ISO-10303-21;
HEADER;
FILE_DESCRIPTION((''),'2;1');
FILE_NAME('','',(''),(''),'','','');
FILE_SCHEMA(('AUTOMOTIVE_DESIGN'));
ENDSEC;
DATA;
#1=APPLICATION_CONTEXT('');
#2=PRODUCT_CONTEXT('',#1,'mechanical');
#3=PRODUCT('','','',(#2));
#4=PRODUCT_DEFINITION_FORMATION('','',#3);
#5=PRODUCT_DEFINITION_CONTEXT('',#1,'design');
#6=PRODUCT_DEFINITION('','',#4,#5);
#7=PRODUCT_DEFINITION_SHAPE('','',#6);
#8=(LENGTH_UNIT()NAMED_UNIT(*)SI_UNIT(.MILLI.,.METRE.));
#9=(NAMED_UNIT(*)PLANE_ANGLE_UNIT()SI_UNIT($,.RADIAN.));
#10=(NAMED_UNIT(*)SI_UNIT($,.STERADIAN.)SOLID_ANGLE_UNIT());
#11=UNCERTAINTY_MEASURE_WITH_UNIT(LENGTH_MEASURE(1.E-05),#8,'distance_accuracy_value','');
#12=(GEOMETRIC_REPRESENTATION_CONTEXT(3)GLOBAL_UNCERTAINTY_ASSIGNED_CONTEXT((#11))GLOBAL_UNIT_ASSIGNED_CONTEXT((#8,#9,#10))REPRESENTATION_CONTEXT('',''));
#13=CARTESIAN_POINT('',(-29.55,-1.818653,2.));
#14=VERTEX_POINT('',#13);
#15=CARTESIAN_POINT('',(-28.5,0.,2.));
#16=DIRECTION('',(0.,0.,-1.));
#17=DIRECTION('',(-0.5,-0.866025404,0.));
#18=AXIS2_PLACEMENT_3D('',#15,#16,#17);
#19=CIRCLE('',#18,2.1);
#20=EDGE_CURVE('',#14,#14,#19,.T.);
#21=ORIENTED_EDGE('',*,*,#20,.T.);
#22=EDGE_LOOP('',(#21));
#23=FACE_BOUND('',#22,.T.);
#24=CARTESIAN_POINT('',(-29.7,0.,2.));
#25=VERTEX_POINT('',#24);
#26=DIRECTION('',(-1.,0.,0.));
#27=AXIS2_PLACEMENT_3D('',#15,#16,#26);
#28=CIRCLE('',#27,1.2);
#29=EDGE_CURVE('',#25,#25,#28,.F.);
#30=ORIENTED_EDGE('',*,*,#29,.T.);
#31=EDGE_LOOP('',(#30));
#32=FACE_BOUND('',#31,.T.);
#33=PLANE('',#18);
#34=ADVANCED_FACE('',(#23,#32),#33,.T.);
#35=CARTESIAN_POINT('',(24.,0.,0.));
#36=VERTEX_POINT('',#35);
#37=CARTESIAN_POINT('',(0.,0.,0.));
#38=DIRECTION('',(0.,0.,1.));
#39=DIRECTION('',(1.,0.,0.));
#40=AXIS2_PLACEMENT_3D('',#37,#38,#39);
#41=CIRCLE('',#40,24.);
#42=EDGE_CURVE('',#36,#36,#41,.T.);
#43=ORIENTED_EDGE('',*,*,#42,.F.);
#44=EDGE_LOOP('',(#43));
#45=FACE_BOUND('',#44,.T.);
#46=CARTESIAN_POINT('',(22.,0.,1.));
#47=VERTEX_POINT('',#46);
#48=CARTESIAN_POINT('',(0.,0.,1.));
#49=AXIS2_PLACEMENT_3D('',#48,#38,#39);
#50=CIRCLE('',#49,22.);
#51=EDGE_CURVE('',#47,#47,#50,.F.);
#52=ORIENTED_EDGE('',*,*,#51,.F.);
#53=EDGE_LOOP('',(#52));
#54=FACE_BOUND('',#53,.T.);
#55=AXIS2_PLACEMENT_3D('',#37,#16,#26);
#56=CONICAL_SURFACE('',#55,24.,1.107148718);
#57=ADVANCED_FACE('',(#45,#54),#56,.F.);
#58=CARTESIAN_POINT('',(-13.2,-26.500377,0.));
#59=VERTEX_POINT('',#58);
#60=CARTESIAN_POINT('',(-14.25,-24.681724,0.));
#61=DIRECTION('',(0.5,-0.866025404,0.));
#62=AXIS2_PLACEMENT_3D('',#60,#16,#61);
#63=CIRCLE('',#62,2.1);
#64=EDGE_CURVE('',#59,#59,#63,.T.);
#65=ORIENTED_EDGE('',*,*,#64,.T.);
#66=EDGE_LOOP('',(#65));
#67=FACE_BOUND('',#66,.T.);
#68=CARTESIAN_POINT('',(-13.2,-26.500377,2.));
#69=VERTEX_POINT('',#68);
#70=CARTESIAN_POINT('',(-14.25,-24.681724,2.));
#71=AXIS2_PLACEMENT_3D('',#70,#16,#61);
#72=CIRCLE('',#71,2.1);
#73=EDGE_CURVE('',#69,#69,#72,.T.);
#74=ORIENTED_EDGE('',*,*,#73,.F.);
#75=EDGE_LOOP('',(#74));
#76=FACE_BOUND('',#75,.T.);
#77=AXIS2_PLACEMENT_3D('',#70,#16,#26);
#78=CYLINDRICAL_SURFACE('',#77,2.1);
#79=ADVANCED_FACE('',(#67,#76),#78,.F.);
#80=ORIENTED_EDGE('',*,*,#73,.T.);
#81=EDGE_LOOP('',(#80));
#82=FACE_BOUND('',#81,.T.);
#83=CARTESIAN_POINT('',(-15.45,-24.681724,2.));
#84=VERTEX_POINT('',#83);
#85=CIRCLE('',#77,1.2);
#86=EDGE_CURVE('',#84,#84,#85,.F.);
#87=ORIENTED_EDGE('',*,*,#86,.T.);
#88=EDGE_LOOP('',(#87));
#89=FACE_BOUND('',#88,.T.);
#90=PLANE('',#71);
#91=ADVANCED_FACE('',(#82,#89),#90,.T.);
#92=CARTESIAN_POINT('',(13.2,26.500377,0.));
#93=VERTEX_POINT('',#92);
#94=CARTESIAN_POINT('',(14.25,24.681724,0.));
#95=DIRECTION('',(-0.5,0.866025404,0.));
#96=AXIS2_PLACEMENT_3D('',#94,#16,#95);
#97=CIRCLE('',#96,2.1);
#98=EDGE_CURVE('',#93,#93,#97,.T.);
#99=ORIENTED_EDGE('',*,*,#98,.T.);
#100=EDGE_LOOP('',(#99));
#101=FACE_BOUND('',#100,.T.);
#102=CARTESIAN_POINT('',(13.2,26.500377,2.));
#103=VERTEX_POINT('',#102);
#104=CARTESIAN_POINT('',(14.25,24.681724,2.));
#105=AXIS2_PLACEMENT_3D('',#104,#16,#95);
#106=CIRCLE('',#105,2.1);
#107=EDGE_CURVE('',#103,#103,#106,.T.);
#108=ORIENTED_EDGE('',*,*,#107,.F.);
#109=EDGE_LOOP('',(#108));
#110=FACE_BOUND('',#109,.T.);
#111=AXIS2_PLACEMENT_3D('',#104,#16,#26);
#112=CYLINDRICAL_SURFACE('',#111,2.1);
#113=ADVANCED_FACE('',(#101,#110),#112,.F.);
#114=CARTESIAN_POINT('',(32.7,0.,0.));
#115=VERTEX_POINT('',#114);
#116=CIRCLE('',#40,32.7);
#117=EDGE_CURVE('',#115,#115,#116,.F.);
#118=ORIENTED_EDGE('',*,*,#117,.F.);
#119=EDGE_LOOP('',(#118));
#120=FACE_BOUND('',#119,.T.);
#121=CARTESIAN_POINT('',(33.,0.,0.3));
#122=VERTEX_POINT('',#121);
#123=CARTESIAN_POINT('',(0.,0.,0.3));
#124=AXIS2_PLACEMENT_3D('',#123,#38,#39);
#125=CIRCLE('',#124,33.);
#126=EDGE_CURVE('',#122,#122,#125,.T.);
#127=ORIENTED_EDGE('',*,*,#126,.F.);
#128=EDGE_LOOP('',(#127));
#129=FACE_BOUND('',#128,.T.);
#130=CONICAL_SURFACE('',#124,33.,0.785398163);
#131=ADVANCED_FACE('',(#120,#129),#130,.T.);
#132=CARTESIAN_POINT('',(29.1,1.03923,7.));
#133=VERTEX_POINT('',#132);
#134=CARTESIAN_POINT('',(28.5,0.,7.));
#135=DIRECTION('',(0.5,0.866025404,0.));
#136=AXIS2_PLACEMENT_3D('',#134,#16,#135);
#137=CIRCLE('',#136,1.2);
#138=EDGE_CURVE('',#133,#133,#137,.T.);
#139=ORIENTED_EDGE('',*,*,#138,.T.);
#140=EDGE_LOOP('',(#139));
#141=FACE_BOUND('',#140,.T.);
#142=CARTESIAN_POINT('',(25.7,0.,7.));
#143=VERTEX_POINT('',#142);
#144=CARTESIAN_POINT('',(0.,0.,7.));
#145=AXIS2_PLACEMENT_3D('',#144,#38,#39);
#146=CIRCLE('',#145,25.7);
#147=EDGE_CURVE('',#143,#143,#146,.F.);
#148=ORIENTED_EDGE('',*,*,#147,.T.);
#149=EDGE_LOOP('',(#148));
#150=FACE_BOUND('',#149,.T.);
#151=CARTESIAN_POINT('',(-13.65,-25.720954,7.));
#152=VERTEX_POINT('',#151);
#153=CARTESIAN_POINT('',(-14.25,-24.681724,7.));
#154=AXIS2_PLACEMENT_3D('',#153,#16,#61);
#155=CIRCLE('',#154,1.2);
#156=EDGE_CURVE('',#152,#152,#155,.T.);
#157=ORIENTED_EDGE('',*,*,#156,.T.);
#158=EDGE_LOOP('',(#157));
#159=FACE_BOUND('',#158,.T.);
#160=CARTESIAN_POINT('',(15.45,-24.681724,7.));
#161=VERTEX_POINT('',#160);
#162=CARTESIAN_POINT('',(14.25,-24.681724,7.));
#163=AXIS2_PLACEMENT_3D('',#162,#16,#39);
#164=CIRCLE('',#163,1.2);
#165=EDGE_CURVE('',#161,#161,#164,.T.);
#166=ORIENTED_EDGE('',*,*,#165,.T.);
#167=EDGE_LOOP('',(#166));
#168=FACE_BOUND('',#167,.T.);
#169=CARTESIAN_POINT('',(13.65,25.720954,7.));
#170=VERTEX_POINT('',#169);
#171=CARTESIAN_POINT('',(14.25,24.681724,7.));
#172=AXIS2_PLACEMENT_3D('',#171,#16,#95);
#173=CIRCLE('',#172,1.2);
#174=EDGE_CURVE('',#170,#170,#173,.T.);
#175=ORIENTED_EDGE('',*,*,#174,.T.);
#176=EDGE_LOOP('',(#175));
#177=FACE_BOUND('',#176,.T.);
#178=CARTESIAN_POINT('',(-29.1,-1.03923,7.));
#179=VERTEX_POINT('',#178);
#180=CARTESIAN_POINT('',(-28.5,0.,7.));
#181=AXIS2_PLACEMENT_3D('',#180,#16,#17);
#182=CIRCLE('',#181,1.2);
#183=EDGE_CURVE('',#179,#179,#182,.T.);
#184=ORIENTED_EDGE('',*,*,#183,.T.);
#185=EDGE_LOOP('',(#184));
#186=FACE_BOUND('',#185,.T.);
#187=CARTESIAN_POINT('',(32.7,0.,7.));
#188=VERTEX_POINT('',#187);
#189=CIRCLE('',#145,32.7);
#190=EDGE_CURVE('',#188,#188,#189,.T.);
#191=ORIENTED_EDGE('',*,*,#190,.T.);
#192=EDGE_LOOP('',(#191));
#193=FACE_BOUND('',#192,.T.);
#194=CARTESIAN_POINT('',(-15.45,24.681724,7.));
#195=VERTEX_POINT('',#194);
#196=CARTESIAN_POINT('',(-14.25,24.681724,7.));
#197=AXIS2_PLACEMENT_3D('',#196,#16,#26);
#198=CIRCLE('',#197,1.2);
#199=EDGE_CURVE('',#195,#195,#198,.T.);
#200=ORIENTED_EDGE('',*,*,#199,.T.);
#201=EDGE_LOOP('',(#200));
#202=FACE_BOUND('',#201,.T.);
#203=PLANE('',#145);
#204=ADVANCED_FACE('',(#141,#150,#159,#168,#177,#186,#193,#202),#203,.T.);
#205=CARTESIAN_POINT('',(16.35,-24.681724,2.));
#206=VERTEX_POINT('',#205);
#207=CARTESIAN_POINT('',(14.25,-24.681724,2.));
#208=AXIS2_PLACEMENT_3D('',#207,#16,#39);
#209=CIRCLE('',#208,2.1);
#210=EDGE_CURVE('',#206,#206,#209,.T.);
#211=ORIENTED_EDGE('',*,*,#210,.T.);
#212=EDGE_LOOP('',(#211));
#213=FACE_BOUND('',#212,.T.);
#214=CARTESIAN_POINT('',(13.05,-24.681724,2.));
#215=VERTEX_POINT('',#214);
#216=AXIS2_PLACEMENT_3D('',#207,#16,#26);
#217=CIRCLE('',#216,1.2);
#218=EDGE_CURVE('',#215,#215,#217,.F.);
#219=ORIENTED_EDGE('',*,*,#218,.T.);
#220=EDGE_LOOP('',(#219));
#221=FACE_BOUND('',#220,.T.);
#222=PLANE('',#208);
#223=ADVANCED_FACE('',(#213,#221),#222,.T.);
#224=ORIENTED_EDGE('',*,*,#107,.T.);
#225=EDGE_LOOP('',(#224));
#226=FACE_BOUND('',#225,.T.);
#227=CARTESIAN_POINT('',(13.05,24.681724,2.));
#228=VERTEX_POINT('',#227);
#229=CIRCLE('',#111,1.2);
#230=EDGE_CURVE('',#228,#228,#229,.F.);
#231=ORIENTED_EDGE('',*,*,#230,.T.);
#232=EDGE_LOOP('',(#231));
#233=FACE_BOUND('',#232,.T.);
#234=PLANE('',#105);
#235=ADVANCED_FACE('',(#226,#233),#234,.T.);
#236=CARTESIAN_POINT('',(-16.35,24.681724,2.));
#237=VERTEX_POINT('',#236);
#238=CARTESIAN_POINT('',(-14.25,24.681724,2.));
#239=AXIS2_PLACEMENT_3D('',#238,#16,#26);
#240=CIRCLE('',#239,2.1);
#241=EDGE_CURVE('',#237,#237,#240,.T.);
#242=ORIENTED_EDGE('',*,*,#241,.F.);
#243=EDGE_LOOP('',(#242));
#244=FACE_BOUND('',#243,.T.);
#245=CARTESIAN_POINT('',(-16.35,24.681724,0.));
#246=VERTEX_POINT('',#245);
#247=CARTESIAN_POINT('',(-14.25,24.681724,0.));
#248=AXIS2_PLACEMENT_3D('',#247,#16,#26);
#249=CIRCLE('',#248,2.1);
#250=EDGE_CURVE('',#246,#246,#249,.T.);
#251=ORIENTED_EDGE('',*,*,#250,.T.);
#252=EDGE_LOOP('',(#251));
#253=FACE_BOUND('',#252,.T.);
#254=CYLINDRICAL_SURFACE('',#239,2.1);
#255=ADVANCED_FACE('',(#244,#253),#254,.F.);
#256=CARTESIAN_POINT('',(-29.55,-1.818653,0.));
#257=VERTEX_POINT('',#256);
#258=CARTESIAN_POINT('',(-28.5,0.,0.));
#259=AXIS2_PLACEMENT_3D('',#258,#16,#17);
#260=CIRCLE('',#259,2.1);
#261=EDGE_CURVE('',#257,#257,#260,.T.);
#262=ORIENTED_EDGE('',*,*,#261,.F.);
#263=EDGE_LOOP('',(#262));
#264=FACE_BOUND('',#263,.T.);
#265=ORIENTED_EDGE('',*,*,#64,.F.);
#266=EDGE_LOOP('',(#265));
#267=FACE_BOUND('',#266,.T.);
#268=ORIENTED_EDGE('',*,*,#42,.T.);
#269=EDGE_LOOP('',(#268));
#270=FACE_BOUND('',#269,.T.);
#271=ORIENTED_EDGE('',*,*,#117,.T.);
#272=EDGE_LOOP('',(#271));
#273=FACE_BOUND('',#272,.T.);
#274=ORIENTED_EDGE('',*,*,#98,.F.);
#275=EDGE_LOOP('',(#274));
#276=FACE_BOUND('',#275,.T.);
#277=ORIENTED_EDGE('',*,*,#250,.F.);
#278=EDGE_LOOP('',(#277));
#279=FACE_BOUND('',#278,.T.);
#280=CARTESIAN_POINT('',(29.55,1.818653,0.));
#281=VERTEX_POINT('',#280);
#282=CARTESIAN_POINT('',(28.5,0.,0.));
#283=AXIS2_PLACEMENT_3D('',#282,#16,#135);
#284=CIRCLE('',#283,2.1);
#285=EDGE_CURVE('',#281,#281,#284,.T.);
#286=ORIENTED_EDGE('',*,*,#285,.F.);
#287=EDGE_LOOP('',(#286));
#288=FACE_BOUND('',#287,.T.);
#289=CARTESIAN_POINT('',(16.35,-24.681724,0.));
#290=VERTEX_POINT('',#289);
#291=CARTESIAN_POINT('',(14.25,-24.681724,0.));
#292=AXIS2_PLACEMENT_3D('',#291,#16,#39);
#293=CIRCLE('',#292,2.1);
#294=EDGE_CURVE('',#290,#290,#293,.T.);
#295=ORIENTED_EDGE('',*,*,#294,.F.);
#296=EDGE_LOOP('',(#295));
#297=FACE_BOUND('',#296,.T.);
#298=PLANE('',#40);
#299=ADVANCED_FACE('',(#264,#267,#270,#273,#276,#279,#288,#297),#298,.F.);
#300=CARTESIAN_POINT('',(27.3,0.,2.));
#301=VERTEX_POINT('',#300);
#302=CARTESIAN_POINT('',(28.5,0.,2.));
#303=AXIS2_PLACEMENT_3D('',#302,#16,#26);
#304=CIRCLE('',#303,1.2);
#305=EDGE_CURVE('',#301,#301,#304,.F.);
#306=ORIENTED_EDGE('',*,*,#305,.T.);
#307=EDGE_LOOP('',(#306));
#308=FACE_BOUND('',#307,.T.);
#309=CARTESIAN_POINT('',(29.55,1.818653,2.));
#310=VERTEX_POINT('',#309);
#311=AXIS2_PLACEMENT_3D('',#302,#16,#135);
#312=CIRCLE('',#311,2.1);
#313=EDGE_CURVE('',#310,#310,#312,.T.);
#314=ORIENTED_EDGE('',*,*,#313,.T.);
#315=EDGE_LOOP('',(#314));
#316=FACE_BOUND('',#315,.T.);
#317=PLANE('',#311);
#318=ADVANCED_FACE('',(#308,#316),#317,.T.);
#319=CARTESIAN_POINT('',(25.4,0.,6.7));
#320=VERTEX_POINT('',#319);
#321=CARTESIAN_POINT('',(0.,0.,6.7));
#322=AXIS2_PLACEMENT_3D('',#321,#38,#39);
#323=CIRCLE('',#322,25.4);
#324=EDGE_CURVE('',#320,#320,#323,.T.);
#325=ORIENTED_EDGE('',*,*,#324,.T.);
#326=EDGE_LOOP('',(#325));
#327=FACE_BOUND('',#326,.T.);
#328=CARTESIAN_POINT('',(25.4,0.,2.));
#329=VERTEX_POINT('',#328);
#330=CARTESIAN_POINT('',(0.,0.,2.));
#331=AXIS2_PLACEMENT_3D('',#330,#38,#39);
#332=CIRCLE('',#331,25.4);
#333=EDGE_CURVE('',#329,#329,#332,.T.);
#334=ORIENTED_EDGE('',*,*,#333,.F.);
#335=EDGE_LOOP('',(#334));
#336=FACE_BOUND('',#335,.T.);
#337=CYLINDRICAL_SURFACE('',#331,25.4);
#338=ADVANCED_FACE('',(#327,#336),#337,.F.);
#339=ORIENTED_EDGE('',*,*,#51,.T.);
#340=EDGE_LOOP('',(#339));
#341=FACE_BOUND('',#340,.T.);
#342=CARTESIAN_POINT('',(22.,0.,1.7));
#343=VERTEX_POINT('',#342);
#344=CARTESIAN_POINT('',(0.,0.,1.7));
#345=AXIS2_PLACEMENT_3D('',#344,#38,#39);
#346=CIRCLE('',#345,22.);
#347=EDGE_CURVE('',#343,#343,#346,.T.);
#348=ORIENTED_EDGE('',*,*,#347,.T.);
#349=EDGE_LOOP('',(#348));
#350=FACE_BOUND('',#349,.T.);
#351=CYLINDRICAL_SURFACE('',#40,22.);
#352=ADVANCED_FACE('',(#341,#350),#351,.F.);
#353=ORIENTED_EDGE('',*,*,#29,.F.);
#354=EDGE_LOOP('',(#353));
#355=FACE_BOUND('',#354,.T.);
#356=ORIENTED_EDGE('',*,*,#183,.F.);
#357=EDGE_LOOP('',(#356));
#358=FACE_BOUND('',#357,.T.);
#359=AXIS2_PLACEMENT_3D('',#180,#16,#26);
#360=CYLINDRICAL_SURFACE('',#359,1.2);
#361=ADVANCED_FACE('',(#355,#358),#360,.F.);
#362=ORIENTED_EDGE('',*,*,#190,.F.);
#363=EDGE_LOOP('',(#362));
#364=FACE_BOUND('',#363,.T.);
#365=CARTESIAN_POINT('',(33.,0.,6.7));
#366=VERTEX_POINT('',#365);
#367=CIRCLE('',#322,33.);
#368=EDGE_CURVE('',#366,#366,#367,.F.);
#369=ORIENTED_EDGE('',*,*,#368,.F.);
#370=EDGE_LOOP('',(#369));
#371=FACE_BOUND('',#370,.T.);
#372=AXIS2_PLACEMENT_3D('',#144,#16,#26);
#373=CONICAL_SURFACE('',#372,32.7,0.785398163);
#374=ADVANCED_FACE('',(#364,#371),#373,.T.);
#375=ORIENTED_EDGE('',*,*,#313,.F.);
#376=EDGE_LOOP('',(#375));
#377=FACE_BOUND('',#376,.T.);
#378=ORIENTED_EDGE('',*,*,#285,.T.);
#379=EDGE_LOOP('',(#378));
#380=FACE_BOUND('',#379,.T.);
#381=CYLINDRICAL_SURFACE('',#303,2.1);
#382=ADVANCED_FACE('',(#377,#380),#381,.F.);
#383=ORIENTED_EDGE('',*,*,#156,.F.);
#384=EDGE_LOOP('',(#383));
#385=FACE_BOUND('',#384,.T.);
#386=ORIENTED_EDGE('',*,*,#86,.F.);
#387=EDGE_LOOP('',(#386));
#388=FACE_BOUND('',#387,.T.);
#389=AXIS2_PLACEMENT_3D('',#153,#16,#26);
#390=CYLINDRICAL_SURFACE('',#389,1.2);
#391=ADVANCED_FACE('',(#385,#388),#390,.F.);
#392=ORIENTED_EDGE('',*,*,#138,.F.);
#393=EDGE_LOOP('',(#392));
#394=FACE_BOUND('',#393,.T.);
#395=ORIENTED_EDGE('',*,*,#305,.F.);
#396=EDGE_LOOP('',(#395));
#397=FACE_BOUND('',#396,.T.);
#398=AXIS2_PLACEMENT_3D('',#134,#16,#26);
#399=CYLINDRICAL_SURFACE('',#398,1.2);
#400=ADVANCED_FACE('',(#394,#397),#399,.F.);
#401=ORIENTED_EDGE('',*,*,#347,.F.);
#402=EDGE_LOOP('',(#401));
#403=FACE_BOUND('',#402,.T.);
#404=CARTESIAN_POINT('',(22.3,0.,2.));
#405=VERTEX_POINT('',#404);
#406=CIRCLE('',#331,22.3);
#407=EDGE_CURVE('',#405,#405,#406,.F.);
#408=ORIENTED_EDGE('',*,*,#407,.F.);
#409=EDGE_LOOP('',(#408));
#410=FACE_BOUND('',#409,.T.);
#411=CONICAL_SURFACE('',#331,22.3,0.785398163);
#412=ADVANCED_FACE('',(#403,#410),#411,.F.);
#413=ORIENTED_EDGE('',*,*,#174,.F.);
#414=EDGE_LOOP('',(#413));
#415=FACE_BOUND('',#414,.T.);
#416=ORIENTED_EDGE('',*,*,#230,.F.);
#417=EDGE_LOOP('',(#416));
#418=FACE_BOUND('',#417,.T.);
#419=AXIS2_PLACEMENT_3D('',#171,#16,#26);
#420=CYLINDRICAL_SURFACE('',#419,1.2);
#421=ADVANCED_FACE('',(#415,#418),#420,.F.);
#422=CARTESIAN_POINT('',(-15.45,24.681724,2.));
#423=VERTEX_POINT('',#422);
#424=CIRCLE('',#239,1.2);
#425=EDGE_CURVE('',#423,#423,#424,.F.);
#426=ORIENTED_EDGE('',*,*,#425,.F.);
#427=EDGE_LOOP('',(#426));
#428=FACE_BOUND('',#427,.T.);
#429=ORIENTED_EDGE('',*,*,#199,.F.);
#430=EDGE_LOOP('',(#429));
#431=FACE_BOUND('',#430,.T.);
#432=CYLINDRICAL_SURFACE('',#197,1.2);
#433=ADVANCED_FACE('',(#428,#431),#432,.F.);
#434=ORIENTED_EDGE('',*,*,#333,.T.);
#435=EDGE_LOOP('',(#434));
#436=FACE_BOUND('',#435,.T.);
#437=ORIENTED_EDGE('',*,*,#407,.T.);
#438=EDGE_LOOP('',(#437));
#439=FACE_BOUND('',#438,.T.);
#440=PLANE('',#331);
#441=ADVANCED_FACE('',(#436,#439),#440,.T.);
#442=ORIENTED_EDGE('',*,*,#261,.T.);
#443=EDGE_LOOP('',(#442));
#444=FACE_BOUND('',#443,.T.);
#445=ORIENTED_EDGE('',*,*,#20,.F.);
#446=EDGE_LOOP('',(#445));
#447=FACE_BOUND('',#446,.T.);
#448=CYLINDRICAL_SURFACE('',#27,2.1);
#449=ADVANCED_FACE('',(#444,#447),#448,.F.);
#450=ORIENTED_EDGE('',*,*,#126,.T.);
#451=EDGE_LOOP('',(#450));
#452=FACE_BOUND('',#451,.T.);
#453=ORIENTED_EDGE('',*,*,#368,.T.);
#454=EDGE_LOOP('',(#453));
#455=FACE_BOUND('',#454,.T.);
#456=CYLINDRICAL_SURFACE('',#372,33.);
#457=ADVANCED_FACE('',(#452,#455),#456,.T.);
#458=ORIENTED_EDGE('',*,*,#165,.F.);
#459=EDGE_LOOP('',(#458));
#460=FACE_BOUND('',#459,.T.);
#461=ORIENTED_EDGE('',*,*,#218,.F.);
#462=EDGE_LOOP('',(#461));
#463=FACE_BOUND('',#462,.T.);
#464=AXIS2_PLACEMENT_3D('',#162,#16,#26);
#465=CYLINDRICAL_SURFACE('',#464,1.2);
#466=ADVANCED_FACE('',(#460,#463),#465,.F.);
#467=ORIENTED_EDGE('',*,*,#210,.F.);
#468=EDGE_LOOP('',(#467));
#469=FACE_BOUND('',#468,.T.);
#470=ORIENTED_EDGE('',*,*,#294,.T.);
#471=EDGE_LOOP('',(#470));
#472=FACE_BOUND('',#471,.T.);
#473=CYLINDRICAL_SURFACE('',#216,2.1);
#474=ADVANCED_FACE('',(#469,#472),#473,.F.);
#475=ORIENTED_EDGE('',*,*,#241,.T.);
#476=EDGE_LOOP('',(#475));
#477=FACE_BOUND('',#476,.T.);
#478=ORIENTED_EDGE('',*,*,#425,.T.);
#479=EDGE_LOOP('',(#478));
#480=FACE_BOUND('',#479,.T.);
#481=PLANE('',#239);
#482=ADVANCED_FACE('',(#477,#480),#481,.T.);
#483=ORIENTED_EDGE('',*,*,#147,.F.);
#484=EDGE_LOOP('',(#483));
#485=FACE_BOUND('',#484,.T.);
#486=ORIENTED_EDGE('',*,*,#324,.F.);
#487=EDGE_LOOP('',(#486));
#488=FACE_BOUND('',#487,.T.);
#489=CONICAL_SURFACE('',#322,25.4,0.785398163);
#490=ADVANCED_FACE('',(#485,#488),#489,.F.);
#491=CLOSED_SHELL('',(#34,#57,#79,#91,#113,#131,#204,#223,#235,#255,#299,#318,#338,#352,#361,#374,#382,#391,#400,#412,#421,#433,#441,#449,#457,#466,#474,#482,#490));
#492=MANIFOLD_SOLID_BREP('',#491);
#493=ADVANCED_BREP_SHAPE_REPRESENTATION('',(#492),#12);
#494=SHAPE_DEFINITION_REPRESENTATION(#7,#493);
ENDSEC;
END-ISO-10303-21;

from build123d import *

# Parameters (mm, degrees)
SKETCH1_R                    = 33
MAIN_BODY_DEPTH              = 7
SKETCH2_R                    = 22
OPTICAL_CUTOUT_DEPTH         = 48.191100856
SKETCH3_R                    = 25.4
WINDOW_CUTOUT_DEPTH          = 5
SKETCH4_R                    = 1.2
CUT_EXTRUDE3_DEPTH           = 48.191100856
SKETCH5_R                    = 2.1
CUT_EXTRUDE4_DEPTH           = 2
CIRCULAR_PATTERN_COUNT       = 6
BUBBLE_CONTROL_CHAMFER_SIZE  = 1
BUBBLE_CONTROL_CHAMFER_SIZE2 = 2
CHAMFER1_SIZE                = 0.3


with BuildPart() as part:
    # Sketch1 → Main Body (new body)
    with BuildSketch(Plane.XY):
        Circle(SKETCH1_R)
    extrude(amount=MAIN_BODY_DEPTH)

    # Sketch2 → Optical Cutout (cut, through all)
    with BuildSketch(Plane.XY.offset(7)):
        Circle(SKETCH2_R)
    extrude(amount=-OPTICAL_CUTOUT_DEPTH, mode=Mode.SUBTRACT)

    # Sketch3 → Window Cutout (cut)
    with BuildSketch(Plane.XY.offset(7)):
        Circle(SKETCH3_R)
    extrude(amount=-WINDOW_CUTOUT_DEPTH, mode=Mode.SUBTRACT)

    # Sketch4 → Cut-Extrude3 (cut, through all)
    with BuildSketch(Plane(origin=(0, 0, 0), x_dir=(-1, 0, 0), z_dir=(0, 0, -1))):
        with Locations((14.25, 24.681724008)):
            Circle(SKETCH4_R)
    cut_extrude3 = extrude(amount=-CUT_EXTRUDE3_DEPTH, mode=Mode.SUBTRACT)

    # Sketch5 → Cut-Extrude4 (cut)
    with BuildSketch(Plane(origin=(0, 0, 0), x_dir=(-1, 0, 0), z_dir=(0, 0, -1))):
        with Locations((14.25, 24.681724008)):
            Circle(SKETCH5_R)
    cut_extrude4 = extrude(amount=-CUT_EXTRUDE4_DEPTH, mode=Mode.SUBTRACT)

    # Circular Pattern: Cut-Extrude3, Cut-Extrude4 ×6 about axis
    circular_pattern_axis = Axis((0, 0, 7), (0, 0, -1))
    add([cut_extrude3.rotate(circular_pattern_axis, i * 360 / CIRCULAR_PATTERN_COUNT) for i in range(1, CIRCULAR_PATTERN_COUNT)], mode=Mode.SUBTRACT)
    add([cut_extrude4.rotate(circular_pattern_axis, i * 360 / CIRCULAR_PATTERN_COUNT) for i in range(1, CIRCULAR_PATTERN_COUNT)], mode=Mode.SUBTRACT)

    # Bubble Control Chamfer
    bubble_control_chamfer_edges = [part.edges().sort_by_distance(p)[0] for p in [
        (-22, 0, 0),
    ]]
    bubble_control_chamfer_side = [part.faces().sort_by_distance(p)[0] for p in [
        (-22, 0, 1),
    ]]
    chamfer(bubble_control_chamfer_edges, length=BUBBLE_CONTROL_CHAMFER_SIZE, length2=BUBBLE_CONTROL_CHAMFER_SIZE2, reference=bubble_control_chamfer_side[0])

    # Chamfer1
    chamfer1_edges = [part.edges().sort_by_distance(p)[0] for p in [
        (-33, 0, 0),
        (-33, 0, 7),
        (-25.4, 0, 7),
        (-22, 0, 2),
    ]]
    chamfer(chamfer1_edges, length=CHAMFER1_SIZE)


solid = part.part
